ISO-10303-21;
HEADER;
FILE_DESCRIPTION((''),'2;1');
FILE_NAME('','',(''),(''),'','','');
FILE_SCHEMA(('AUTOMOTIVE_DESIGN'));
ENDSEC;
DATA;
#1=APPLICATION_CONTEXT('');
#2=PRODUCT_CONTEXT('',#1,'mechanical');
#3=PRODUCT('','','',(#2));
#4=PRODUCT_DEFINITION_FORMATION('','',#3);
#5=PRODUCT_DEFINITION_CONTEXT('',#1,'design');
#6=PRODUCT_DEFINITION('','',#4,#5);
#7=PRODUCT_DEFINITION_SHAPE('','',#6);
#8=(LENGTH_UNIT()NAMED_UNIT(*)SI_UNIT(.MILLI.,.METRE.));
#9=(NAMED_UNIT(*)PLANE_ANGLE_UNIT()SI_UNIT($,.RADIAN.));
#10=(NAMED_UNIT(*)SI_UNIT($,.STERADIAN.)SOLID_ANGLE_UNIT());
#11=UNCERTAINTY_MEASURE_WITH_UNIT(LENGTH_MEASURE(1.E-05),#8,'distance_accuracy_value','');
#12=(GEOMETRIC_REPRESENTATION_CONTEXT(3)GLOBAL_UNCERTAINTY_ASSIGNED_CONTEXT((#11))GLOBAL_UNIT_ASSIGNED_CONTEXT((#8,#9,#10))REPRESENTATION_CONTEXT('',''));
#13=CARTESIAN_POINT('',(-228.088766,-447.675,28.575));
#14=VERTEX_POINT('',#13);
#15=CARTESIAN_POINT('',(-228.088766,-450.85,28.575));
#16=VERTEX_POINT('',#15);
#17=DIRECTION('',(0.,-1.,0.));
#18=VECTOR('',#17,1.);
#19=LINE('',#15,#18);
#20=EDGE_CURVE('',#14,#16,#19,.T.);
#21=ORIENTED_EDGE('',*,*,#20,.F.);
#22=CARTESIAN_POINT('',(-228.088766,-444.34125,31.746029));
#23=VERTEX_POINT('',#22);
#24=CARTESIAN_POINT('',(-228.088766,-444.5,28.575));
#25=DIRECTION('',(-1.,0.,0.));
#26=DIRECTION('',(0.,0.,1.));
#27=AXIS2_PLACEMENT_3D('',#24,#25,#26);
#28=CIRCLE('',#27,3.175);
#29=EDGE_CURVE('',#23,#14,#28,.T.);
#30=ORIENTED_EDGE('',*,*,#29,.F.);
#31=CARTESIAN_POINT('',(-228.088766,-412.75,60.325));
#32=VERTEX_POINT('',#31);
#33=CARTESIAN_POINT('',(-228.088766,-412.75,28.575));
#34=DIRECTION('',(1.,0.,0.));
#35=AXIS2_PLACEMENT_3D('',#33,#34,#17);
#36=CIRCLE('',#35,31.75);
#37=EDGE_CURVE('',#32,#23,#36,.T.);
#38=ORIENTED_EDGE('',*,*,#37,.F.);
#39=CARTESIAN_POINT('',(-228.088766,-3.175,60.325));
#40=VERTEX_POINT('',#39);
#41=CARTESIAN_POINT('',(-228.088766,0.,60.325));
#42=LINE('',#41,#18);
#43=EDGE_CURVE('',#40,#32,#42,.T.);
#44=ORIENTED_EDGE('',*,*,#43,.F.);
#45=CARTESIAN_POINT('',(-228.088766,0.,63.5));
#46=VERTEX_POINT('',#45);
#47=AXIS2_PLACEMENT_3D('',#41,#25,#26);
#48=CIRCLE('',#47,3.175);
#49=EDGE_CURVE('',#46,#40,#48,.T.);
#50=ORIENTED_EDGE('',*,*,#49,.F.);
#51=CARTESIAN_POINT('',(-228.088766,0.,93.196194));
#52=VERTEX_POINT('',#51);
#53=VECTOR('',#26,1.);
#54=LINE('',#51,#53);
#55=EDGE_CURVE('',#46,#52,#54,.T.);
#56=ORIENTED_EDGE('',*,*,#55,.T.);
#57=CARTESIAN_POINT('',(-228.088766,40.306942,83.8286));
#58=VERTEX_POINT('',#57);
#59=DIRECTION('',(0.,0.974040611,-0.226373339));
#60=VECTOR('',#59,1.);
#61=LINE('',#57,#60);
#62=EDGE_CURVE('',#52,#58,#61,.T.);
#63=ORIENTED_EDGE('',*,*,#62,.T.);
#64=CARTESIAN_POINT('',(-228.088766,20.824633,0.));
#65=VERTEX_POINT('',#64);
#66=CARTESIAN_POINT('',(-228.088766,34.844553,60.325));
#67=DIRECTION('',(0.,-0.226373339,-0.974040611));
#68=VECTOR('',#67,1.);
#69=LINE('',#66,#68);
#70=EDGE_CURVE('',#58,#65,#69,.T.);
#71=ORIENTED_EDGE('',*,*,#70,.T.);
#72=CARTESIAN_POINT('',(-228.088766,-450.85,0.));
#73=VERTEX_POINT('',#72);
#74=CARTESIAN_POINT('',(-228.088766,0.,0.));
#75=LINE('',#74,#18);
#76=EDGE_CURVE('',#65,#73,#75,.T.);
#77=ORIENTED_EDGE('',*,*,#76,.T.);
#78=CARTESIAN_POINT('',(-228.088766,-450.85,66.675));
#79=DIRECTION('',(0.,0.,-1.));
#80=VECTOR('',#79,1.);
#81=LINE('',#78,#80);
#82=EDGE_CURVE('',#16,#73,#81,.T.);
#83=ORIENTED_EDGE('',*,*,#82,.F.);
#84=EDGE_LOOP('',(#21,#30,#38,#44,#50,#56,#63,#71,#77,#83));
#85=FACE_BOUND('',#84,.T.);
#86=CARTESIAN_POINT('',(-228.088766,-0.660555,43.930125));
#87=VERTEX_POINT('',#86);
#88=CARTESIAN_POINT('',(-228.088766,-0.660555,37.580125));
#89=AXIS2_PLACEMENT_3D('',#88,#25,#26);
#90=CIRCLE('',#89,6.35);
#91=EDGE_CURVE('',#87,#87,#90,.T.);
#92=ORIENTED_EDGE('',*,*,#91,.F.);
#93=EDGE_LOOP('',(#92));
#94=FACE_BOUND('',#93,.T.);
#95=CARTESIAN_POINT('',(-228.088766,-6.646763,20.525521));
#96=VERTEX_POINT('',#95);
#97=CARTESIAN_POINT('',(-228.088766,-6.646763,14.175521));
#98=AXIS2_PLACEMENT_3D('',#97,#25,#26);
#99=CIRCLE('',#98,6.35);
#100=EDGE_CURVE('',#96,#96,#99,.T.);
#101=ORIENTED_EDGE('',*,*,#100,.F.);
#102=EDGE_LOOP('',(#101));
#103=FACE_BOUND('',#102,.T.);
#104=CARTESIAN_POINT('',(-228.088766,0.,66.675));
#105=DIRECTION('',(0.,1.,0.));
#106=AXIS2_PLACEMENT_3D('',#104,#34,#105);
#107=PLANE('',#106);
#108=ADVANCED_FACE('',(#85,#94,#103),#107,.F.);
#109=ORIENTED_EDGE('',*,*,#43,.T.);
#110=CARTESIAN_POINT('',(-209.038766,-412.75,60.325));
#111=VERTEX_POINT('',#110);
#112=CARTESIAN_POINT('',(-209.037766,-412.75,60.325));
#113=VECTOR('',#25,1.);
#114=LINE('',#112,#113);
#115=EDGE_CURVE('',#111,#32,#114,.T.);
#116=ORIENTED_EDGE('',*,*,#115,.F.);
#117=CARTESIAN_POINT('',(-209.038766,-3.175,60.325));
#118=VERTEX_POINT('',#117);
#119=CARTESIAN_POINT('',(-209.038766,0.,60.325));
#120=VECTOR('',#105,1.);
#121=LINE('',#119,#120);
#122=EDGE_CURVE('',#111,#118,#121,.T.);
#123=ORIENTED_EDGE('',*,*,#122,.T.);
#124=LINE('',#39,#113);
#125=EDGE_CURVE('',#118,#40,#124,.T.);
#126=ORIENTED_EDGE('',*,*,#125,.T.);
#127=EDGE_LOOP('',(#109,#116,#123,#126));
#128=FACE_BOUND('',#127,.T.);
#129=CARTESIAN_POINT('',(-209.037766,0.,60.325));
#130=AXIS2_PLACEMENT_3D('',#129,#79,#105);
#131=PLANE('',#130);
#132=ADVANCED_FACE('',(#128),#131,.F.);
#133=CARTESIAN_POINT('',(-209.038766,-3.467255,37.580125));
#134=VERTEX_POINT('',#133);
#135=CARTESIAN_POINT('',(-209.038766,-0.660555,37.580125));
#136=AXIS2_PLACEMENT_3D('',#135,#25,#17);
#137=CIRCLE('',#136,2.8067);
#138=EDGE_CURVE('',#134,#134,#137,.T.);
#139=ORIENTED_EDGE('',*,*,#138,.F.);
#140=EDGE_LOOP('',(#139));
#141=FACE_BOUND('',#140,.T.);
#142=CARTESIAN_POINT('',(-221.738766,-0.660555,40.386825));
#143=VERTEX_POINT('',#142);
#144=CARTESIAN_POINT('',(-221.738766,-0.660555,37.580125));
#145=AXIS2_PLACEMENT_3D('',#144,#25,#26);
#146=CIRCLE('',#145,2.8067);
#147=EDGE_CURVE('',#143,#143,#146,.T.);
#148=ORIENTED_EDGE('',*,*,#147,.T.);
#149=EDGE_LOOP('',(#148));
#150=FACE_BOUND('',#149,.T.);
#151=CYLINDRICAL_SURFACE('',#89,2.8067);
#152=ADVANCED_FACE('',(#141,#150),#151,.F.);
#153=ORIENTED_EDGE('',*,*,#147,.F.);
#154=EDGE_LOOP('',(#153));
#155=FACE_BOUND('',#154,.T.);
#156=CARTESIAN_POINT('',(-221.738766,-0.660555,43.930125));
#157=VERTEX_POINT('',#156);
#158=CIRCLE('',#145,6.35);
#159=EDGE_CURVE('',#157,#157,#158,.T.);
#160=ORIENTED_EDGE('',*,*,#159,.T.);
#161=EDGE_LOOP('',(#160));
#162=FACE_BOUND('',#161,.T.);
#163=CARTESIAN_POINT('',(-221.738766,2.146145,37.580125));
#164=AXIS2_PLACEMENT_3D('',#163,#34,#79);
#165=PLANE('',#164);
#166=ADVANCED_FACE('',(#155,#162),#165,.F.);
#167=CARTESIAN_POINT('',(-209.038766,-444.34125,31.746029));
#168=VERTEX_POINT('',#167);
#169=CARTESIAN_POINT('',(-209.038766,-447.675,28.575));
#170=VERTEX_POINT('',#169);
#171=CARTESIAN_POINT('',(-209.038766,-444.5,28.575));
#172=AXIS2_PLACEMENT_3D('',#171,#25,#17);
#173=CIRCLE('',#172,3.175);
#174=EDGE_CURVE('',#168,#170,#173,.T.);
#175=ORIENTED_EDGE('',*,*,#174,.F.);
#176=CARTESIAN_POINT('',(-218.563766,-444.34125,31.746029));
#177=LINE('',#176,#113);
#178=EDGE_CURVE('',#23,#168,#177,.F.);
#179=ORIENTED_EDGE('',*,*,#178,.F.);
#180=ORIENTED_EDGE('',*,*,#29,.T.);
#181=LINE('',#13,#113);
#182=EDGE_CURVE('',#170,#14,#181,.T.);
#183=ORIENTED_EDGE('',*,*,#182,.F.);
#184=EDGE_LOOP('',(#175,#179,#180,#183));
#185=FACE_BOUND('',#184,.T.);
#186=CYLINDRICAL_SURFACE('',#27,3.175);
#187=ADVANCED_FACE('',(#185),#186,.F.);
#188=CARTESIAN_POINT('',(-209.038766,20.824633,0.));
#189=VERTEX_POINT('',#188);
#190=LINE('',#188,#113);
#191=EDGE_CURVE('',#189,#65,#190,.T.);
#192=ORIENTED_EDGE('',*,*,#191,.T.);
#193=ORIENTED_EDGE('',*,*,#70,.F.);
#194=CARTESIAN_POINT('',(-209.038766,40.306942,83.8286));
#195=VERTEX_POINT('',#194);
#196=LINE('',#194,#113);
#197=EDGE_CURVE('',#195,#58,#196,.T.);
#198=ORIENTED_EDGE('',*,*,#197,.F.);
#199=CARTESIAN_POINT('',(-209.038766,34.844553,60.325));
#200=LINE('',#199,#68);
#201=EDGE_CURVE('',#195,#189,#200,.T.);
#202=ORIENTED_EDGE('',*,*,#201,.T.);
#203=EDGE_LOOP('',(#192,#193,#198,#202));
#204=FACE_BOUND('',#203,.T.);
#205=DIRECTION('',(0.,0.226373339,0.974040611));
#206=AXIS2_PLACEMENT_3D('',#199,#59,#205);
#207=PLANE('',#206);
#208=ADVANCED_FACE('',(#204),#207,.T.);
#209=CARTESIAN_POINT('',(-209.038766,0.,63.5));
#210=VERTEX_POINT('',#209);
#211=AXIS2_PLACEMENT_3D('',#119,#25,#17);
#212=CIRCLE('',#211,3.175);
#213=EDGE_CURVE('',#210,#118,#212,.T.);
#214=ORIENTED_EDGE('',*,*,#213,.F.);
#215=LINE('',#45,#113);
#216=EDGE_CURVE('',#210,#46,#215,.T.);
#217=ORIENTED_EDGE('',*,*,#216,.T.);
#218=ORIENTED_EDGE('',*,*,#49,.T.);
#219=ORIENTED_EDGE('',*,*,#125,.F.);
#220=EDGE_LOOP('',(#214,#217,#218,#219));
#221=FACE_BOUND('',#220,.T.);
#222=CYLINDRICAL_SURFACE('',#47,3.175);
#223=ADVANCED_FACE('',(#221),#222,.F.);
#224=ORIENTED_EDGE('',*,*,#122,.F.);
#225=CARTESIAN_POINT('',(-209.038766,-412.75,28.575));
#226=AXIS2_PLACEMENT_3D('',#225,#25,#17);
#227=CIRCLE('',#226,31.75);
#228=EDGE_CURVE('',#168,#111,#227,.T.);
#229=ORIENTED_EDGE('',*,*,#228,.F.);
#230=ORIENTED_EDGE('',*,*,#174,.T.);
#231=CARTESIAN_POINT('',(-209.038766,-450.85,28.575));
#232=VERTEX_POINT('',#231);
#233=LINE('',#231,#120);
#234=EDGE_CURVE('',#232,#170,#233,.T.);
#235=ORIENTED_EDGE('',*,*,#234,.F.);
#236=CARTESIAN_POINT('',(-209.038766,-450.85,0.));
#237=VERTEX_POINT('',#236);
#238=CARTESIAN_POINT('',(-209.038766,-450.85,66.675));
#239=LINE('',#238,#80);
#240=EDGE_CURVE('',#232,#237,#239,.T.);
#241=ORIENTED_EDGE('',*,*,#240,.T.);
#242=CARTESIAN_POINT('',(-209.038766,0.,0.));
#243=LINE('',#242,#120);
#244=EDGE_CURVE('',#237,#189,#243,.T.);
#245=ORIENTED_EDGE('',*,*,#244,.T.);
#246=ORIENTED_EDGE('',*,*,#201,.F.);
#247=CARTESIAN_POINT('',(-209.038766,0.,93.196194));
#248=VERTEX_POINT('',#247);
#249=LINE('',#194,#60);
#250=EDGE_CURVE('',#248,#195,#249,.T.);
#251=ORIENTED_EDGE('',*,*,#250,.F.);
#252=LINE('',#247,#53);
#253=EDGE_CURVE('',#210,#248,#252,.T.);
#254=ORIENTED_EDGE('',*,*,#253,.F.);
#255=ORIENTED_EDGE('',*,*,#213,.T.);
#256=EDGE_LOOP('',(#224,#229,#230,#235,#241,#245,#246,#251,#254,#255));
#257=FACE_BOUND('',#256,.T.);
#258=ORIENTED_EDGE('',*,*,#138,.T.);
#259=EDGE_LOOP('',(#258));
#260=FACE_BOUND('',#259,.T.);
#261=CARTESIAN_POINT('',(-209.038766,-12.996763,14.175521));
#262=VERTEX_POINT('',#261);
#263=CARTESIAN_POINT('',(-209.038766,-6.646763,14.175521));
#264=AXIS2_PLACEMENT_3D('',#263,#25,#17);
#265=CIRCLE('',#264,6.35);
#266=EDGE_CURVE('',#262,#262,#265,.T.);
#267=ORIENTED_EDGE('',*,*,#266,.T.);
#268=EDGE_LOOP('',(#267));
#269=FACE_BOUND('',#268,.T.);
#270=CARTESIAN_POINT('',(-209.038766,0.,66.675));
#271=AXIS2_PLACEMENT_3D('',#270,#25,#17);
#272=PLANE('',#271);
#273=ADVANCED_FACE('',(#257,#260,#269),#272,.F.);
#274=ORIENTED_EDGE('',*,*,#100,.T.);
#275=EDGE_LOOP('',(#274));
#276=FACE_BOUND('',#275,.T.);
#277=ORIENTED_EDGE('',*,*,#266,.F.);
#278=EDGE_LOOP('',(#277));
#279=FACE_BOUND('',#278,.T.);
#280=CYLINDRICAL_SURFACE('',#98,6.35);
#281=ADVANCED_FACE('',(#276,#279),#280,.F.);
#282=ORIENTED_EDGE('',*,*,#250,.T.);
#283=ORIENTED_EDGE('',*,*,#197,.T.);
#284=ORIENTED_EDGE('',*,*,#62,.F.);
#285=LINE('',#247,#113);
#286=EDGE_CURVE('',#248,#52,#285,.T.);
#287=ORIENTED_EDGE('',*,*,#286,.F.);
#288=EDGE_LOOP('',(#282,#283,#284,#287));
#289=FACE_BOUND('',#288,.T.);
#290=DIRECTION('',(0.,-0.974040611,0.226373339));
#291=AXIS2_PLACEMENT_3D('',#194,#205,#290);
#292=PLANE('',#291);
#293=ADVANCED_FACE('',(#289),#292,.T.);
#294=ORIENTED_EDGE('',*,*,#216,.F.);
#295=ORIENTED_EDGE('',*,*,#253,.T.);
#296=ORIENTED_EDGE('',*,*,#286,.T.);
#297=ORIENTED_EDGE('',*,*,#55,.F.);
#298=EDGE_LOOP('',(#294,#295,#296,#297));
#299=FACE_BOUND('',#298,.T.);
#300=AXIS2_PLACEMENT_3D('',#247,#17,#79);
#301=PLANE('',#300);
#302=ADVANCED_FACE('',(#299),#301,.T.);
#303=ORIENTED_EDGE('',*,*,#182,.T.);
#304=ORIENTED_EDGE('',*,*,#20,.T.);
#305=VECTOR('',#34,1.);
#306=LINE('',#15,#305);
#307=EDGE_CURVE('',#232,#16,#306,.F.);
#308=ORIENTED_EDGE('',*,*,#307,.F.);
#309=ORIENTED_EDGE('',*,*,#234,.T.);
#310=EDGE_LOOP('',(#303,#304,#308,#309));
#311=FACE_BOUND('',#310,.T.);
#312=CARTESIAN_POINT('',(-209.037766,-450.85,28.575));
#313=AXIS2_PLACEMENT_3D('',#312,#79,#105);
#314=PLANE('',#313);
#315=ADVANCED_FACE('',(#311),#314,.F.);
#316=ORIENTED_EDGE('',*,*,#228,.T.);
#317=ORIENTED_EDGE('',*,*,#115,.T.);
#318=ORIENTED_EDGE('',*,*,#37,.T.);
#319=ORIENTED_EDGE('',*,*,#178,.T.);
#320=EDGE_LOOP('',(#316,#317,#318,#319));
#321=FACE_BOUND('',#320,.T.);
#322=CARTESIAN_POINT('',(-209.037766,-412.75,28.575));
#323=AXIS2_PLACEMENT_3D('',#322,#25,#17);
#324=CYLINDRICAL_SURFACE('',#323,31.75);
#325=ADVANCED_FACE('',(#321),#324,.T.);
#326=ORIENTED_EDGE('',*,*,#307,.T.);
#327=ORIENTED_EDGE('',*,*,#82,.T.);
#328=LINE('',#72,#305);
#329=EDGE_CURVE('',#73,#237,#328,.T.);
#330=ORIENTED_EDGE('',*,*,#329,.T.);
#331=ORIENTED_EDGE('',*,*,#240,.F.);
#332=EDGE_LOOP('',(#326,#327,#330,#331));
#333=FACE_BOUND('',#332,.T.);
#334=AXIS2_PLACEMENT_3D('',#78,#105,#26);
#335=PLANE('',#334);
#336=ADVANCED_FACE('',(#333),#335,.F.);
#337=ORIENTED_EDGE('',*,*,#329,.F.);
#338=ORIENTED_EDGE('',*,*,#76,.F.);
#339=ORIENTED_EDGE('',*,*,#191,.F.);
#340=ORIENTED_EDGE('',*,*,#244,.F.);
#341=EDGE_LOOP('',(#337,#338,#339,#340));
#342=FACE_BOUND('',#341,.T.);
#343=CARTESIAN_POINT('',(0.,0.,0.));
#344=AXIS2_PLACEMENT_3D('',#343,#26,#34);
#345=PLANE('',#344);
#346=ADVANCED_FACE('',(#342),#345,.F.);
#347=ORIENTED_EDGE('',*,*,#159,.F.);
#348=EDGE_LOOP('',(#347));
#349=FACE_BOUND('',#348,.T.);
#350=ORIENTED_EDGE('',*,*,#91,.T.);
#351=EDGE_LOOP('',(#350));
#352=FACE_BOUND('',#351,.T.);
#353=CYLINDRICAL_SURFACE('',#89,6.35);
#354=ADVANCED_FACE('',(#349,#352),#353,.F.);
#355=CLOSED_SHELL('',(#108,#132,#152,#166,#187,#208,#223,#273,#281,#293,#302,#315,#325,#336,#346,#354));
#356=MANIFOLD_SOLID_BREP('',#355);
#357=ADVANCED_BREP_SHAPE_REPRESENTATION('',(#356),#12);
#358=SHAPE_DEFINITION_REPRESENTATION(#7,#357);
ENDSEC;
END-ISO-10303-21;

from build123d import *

# Parameters (mm, degrees)
SKETCH1_W                                        = 19.05
SKETCH1_H                                        = 450.85
BOSS_EXTRUDE1_DEPTH                              = 66.675
FILLET4_R                                        = 38.1
CUT_EXTRUDE1_REACH                               = 458.151
BOSS_EXTRUDE2_DEPTH                              = 19.05
BOSS_EXTRUDE3_DEPTH                              = 19.05
F_1_4_0_25_DIAMETER_HOLE1_D                      = 6.35
F_10_CLEARANCE_HOLE_WITH_1_0_X_25_CB_D           = 5.6134
F_10_CLEARANCE_HOLE_WITH_1_0_X_25_CB_CBORE_D     = 12.7
F_10_CLEARANCE_HOLE_WITH_1_0_X_25_CB_CBORE_DEPTH = 6.35
F_1_2_0_5_DIAMETER_SLOT1_D                       = 12.7


with BuildPart() as part:
    # Sketch1 → Boss-Extrude1 (new body)
    with BuildSketch(Plane.XY):
        with Locations((-218.563766336, -225.425)):
            Rectangle(SKETCH1_W, SKETCH1_H)
    extrude(amount=BOSS_EXTRUDE1_DEPTH)

    # Fillet4
    fillet4_edges = [part.edges().sort_by_distance(p)[0] for p in [
        (-218.563766336, -450.85, 66.675),
    ]]
    fillet(fillet4_edges, radius=FILLET4_R)

    # Sketch4 → Cut-Extrude1 (cut, up to next)
    with BuildSketch(Plane.ZY.offset(228.088766336), mode=Mode.PRIVATE) as cut_extrude1_sk1:
        with BuildLine():
            Line((66.675, 0), (66.675, -412.75))
            ThreePointArc((66.675, -412.75), (55.515768363, -439.690768363), (28.575, -450.85))
            Line((28.575, -450.85), (28.575, -444.5))
            ThreePointArc((28.575, -444.5), (51.025640303, -435.200640303), (60.325, -412.75))
            Line((60.325, -412.75), (60.325, 0))
            Line((60.325, 0), (66.675, 0))
        make_face()
    cut_extrude1_tool1 = extrude(cut_extrude1_sk1.sketch, amount=-CUT_EXTRUDE1_REACH, mode=Mode.PRIVATE) & part.part
    add(cut_extrude1_tool1.solids().sort_by_distance((-228.088766, -233.202612, 62.01827))[0], mode=Mode.SUBTRACT)

    # Sketch7 → Boss-Extrude2 (add, through all)
    with BuildSketch(Plane.ZY.offset(228.088766336)):
        Polygon((0, 0), (60.325, 0), (60.325, 34.844553242), (0, 20.824633003), align=None)
    extrude(amount=-BOSS_EXTRUDE2_DEPTH)

    # Sketch8 → Boss-Extrude3 (add, through all)
    with BuildSketch(Plane.ZY.offset(228.088766336)):
        Polygon((60.325, 34.844553242), (83.828599938, 40.306941911), (93.196193981, 0), (60.325, 0), align=None)
    extrude(amount=-BOSS_EXTRUDE3_DEPTH)

    # 1/4 (0.25) Diameter Hole1 (through all)
    with Locations(Plane.ZY.offset(228.088766336)):
        with Locations((28.575, -444.5), (60.325, 0)):
            Hole(F_1_4_0_25_DIAMETER_HOLE1_D / 2)

    # #10 Clearance Hole with 1.0 x .25 CB (through all)
    with Locations(Plane.ZY.offset(228.088766336)):
        with Locations((37.58012522, -0.660555349)):
            CounterBoreHole(F_10_CLEARANCE_HOLE_WITH_1_0_X_25_CB_D / 2, F_10_CLEARANCE_HOLE_WITH_1_0_X_25_CB_CBORE_D / 2, F_10_CLEARANCE_HOLE_WITH_1_0_X_25_CB_CBORE_DEPTH)

    # 1/2 (0.5) Diameter Slot1 (through all)
    with Locations(Plane.ZY.offset(228.088766336)):
        with Locations((14.175520603, -6.646762989)):
            Hole(F_1_2_0_5_DIAMETER_SLOT1_D / 2)


solid = part.part
